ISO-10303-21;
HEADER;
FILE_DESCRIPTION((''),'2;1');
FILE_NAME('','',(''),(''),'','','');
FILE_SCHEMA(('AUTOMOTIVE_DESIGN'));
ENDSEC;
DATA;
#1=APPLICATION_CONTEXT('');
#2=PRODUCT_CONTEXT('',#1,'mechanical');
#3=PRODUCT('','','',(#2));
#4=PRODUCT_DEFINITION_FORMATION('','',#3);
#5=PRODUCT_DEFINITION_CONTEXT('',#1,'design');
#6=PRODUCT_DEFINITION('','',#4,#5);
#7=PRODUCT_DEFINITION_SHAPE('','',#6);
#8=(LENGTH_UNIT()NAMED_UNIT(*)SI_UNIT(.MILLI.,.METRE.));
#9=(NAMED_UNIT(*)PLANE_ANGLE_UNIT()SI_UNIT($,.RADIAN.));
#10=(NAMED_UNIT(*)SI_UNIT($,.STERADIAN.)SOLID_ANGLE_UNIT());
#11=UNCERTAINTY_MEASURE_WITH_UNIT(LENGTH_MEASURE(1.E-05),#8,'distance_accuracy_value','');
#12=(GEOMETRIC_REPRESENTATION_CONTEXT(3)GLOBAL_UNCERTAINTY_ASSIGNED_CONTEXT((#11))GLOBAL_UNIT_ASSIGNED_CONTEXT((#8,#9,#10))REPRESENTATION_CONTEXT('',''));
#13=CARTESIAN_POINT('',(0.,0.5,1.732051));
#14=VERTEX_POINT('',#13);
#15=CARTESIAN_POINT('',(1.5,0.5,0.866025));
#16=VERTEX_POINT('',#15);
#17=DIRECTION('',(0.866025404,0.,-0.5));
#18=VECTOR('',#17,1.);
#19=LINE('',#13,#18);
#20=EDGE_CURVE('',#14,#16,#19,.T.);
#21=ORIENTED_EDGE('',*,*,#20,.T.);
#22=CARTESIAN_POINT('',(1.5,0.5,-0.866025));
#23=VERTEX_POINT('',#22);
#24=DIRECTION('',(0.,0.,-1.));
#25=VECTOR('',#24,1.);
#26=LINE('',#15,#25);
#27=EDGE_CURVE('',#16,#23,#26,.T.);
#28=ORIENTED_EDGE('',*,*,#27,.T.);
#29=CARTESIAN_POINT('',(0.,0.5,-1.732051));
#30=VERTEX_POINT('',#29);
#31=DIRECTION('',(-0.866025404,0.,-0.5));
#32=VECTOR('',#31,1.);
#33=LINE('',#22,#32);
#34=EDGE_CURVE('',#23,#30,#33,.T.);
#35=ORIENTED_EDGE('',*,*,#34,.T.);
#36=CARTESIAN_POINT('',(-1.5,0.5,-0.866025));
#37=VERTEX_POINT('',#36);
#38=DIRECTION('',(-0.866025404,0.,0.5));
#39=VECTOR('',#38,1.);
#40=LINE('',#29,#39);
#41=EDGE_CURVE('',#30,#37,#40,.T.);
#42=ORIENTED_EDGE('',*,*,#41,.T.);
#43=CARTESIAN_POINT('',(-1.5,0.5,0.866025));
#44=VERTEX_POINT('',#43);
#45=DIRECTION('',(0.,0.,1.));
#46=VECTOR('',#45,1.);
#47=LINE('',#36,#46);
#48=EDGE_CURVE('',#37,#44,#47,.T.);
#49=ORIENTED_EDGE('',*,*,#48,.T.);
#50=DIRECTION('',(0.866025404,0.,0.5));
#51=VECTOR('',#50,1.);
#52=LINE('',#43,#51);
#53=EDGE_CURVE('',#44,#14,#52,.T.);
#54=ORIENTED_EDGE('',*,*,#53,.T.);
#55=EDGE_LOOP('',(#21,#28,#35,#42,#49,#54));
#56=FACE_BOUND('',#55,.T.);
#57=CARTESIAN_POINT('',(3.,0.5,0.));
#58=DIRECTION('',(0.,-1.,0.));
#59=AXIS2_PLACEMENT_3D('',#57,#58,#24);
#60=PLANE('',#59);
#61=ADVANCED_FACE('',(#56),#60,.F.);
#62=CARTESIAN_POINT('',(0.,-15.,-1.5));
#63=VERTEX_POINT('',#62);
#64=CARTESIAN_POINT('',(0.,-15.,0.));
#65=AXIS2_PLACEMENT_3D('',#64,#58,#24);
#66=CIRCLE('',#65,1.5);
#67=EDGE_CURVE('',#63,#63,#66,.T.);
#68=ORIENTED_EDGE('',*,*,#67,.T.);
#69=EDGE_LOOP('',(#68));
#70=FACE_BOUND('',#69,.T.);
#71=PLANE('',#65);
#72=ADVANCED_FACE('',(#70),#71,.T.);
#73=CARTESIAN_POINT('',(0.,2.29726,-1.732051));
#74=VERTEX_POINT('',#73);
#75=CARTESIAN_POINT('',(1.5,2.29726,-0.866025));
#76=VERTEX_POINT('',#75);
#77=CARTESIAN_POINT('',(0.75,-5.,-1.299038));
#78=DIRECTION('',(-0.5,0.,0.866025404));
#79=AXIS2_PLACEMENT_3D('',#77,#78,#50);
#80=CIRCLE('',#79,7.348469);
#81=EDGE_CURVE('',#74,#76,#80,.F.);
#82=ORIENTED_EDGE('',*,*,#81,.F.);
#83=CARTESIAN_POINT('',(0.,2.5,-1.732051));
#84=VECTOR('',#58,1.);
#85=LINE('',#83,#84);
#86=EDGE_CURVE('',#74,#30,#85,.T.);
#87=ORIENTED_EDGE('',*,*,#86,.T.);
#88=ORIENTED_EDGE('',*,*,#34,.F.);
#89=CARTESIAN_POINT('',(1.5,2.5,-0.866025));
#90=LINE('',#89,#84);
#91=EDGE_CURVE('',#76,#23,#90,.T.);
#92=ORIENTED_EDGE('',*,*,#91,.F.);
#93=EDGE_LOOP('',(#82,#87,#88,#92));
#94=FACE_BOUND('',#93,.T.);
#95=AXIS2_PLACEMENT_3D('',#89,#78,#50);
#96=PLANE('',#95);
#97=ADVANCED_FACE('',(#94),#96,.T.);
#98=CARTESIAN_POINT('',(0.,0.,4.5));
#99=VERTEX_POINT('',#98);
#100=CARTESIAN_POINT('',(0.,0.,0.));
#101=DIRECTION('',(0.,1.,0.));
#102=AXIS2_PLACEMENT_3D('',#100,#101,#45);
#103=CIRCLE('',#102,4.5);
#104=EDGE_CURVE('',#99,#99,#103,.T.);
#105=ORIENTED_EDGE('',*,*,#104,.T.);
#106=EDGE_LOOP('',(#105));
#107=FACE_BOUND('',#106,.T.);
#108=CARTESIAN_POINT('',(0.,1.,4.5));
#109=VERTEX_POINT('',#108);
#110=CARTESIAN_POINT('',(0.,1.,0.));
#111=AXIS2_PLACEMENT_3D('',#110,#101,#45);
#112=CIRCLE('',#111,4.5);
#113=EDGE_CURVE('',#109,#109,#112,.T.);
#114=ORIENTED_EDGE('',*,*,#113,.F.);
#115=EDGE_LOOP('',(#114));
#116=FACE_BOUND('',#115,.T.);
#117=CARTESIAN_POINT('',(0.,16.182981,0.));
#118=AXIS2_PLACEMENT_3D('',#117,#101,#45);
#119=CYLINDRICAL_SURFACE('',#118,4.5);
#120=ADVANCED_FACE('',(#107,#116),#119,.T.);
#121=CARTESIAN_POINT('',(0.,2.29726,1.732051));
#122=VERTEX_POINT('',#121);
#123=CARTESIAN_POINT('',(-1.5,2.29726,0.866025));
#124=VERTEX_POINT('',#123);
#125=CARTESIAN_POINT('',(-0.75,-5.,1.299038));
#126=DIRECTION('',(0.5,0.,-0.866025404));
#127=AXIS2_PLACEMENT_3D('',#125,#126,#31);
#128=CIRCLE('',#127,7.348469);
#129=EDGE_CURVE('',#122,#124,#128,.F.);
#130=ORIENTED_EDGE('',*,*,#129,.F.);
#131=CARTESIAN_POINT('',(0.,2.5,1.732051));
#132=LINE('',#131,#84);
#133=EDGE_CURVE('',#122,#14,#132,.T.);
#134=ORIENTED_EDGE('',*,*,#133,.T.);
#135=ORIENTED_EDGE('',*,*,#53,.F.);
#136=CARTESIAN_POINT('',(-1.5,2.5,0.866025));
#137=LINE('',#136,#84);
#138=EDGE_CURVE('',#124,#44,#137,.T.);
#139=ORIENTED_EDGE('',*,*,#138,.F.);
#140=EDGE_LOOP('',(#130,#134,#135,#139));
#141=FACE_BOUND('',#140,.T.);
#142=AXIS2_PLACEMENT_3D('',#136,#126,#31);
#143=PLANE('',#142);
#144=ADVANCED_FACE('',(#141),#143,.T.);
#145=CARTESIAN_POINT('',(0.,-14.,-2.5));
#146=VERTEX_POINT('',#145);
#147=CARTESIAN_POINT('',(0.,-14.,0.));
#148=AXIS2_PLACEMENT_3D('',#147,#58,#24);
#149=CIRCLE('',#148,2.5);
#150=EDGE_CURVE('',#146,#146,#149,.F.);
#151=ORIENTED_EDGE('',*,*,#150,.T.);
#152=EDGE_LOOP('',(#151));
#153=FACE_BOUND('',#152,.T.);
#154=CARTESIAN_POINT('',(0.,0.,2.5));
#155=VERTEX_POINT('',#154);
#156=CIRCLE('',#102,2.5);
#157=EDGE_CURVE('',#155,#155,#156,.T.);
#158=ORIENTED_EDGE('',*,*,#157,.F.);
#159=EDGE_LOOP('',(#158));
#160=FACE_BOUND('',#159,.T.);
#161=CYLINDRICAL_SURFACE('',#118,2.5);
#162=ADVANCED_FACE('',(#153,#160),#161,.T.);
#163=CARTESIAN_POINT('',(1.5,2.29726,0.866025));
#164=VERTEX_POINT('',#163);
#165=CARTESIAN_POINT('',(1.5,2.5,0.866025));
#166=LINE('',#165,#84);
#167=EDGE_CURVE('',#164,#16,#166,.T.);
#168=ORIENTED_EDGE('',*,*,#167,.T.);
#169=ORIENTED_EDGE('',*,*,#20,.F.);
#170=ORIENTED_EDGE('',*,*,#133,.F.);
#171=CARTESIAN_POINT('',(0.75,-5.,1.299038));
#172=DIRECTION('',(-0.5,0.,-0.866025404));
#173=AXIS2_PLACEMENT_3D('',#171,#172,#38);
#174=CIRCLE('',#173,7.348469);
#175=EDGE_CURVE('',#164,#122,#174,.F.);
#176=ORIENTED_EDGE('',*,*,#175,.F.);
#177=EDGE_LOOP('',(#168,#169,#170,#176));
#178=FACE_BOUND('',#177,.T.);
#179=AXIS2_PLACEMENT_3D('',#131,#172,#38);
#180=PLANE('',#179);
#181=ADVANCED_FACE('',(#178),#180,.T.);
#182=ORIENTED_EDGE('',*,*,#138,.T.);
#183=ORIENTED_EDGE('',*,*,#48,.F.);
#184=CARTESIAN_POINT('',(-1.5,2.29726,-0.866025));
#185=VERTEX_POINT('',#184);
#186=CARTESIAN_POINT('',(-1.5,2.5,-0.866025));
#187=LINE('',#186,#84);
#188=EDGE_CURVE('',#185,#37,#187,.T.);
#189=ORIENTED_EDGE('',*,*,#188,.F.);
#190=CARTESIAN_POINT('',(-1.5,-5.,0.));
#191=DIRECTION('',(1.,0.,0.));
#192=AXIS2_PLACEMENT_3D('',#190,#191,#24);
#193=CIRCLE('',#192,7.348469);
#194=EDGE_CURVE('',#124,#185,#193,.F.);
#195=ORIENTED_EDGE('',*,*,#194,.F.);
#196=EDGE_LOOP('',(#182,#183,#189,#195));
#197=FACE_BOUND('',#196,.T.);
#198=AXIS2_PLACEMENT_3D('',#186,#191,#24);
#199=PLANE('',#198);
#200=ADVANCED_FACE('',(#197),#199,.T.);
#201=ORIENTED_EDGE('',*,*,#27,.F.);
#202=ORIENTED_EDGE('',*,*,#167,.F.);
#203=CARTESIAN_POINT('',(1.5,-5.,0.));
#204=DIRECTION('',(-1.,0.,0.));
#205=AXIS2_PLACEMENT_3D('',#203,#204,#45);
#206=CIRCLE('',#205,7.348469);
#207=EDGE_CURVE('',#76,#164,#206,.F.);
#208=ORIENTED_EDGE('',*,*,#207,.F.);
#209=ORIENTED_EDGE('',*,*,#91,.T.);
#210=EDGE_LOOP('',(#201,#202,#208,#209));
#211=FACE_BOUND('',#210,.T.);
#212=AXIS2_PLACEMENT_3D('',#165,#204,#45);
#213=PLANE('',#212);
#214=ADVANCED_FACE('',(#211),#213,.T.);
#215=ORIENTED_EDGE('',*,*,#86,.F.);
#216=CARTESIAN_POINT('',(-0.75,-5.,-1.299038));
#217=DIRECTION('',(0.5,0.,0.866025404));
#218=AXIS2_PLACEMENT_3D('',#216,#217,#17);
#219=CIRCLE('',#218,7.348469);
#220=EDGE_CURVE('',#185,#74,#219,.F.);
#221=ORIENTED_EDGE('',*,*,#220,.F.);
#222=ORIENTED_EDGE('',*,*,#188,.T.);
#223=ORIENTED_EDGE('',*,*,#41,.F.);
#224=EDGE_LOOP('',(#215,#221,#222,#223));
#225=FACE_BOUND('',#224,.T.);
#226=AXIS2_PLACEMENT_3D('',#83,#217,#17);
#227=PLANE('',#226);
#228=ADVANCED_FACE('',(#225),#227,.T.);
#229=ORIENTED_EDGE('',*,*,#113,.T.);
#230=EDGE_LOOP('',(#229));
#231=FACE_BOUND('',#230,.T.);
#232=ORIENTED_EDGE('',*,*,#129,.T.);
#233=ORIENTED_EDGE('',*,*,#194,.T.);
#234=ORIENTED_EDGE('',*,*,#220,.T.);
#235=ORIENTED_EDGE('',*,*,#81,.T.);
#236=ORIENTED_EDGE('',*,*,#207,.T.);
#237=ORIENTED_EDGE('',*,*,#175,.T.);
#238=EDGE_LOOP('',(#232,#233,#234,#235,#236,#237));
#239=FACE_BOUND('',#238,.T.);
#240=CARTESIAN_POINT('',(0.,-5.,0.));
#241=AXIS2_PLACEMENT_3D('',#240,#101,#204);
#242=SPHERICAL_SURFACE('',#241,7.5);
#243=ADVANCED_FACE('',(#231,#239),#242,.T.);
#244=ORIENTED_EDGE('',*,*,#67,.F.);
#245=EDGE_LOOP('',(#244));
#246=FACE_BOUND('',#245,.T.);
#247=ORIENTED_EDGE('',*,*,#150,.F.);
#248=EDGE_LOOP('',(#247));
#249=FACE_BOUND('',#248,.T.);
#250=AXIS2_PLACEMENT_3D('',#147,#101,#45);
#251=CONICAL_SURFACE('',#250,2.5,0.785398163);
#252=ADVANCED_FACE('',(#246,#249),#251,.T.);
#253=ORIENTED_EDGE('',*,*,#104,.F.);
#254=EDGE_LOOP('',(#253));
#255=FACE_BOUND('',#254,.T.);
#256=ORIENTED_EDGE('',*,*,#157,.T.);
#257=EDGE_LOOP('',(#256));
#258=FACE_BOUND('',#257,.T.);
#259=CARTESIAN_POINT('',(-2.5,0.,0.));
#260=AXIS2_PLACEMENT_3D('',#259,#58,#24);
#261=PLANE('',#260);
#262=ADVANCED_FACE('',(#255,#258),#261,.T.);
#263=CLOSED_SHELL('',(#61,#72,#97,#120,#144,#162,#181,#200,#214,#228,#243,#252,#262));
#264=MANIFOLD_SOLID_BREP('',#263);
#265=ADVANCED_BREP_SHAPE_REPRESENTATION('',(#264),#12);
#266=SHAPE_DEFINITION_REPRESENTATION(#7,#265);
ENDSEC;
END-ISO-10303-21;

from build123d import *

# Parameters (mm, degrees)
ENL_V_START             = 0.5
ENL_V_MAT_EXTRU_1_DEPTH = 3
CHANFREIN1_SIZE         = 1


with BuildPart() as part:
    # Esquisse1 → Révolution1 (revolve)
    with BuildSketch(Plane.XY, mode=Mode.PRIVATE) as r_volution1_sk:
        with BuildLine():
            Line((0, -15), (0, 2.5))
            ThreePointArc((0, 2.5), (-2.371708245, 2.115124735), (-4.5, 1))
            Line((-4.5, 1), (-4.5, 0))
            Line((-4.5, 0), (-2.5, 0))
            Line((-2.5, 0), (-2.5, -15))
            Line((-2.5, -15), (0, -15))
        make_face()
    revolve(r_volution1_sk.sketch.rotate(Axis((0, 16.1829806, 0), (0, -1, 0)), 270), axis=Axis((0, 16.1829806, 0), (0, -1, 0)))  # turned: the seam where the file's is

    # Esquisse2 → Enlèv. mat.-Extru.1 (cut, through all)
    with BuildSketch(Plane(origin=(0, 0, 0), x_dir=(1, 0, 0), z_dir=(0, 1, 0)).offset(ENL_V_START)):
        Polygon((0, 1.732050808), (-1.5, 0.866025404), (-1.5, -0.866025404), (0, -1.732050808), (1.5, -0.866025404), (1.5, 0.866025404), align=None)
    extrude(amount=ENL_V_MAT_EXTRU_1_DEPTH, mode=Mode.SUBTRACT)

    # Chanfrein1
    chanfrein1_edges = [part.edges().sort_by_distance(p)[0] for p in [
        (0, -15, -2.5),
    ]]
    chamfer(chanfrein1_edges, length=CHANFREIN1_SIZE)


solid = part.part
